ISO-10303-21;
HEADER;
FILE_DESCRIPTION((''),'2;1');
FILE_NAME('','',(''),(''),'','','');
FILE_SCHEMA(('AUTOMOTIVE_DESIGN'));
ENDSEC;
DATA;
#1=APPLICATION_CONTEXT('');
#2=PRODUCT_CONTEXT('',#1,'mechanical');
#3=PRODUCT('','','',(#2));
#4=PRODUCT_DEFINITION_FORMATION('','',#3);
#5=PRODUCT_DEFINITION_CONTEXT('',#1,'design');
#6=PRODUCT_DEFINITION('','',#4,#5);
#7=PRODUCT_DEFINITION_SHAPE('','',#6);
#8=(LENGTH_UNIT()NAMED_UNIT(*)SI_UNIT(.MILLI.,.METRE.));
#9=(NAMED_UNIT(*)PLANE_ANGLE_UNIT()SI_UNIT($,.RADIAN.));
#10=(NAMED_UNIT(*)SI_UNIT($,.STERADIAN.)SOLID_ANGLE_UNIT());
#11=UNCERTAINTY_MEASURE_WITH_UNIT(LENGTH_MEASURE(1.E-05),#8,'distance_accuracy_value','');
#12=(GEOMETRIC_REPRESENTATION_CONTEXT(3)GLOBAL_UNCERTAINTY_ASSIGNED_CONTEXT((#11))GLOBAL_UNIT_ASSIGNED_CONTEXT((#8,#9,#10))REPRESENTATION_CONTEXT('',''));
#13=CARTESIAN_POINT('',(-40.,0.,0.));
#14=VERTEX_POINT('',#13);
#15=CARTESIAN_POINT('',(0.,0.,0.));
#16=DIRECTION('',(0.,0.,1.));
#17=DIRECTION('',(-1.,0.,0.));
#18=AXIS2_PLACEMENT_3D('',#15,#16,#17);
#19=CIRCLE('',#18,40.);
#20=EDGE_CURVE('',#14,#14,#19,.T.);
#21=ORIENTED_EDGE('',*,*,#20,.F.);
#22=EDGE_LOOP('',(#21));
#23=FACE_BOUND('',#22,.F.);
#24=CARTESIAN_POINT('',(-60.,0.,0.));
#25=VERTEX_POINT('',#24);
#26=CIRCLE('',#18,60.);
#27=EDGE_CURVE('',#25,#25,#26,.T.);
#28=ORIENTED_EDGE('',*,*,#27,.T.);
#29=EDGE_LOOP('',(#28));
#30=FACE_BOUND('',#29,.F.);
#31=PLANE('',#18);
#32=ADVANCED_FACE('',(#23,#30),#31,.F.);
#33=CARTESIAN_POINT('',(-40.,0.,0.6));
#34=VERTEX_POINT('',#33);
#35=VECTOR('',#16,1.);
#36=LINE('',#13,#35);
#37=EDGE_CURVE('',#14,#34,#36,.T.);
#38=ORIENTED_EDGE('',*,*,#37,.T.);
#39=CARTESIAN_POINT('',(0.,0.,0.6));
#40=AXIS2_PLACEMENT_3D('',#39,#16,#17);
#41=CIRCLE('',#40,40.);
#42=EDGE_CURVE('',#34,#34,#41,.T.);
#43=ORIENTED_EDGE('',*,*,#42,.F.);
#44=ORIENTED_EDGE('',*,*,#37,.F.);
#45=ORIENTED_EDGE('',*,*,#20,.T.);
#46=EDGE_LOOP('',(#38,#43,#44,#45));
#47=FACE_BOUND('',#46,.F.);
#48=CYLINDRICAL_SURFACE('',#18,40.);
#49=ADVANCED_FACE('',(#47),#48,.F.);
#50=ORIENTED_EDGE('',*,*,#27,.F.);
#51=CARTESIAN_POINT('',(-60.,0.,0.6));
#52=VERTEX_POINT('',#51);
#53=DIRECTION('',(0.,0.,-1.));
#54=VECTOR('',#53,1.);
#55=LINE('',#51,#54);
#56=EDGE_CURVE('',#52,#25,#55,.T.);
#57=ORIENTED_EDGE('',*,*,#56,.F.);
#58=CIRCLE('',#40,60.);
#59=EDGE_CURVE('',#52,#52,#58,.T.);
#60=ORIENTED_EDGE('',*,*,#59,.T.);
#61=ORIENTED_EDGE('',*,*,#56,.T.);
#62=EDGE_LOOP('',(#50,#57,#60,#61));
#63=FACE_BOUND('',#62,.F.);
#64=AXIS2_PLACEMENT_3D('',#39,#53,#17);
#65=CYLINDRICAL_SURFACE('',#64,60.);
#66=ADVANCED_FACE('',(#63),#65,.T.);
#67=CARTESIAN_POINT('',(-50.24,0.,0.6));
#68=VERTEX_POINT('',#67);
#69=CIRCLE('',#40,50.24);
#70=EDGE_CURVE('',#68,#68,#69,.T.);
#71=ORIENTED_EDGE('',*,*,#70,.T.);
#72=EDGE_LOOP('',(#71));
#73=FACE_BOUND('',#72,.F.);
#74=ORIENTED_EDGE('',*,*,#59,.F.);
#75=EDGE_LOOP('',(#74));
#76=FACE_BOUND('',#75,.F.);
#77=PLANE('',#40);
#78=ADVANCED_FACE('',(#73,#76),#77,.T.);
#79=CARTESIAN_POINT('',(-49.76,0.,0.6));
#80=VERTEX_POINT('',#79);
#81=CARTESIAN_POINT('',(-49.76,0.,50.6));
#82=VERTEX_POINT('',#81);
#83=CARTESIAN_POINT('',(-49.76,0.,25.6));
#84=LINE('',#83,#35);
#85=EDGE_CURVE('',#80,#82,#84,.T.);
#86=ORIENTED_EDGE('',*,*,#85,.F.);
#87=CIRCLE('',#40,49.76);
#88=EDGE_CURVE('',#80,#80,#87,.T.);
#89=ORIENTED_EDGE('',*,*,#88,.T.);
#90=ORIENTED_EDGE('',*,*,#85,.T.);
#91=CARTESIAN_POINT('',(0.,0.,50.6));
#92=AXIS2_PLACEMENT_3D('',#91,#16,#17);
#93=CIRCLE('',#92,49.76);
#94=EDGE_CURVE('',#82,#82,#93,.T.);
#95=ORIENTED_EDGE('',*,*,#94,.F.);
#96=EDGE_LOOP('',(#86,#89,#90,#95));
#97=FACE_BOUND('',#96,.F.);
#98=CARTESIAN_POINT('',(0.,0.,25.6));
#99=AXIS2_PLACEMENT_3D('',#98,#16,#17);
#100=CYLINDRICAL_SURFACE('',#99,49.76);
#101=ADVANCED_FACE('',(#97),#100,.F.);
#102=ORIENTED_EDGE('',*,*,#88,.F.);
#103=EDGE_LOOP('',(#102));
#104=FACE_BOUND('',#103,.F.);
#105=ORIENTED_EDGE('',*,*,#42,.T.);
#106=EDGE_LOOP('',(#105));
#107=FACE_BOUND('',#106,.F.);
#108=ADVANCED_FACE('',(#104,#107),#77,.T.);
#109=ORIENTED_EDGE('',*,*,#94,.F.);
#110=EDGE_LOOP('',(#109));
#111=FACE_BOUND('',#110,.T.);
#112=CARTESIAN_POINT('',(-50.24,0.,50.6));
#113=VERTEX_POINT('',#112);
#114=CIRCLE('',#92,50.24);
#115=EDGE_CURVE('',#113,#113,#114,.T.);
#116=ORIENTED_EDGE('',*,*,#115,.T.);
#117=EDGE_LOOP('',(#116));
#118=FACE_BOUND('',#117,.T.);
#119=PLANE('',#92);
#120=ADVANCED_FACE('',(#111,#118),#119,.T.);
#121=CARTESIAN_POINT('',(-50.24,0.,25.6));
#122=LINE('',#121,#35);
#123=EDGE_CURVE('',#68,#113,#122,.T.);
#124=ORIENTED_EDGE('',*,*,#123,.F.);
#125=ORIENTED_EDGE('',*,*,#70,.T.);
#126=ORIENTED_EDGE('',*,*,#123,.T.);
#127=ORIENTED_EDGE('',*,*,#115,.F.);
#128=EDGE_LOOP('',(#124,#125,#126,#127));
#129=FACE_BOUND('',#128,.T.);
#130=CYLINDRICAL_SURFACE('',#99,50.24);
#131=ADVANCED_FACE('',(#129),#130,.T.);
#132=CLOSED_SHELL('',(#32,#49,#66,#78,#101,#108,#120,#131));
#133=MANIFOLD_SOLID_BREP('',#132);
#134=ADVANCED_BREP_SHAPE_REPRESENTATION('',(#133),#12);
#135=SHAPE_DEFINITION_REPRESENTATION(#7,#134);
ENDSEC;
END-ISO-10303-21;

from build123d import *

# Parameters (mm, degrees)
F0_W = 0.48
F0_H = 50


with BuildPart() as f1:
    # F0 (on Front) → F1 (revolve)
    with BuildSketch(Plane.XZ):
        Polygon((-60, 0.6), (-60, 0), (-40, 0), (-40, 0.6), (-49.76, 0.6), (-50.24, 0.6), align=None)
        with Locations((-50, 25.6)):
            Rectangle(F0_W, F0_H)
    revolve(axis=Axis((0, 0, 25.866404), (0, 0, 1)))


solid = f1.part
